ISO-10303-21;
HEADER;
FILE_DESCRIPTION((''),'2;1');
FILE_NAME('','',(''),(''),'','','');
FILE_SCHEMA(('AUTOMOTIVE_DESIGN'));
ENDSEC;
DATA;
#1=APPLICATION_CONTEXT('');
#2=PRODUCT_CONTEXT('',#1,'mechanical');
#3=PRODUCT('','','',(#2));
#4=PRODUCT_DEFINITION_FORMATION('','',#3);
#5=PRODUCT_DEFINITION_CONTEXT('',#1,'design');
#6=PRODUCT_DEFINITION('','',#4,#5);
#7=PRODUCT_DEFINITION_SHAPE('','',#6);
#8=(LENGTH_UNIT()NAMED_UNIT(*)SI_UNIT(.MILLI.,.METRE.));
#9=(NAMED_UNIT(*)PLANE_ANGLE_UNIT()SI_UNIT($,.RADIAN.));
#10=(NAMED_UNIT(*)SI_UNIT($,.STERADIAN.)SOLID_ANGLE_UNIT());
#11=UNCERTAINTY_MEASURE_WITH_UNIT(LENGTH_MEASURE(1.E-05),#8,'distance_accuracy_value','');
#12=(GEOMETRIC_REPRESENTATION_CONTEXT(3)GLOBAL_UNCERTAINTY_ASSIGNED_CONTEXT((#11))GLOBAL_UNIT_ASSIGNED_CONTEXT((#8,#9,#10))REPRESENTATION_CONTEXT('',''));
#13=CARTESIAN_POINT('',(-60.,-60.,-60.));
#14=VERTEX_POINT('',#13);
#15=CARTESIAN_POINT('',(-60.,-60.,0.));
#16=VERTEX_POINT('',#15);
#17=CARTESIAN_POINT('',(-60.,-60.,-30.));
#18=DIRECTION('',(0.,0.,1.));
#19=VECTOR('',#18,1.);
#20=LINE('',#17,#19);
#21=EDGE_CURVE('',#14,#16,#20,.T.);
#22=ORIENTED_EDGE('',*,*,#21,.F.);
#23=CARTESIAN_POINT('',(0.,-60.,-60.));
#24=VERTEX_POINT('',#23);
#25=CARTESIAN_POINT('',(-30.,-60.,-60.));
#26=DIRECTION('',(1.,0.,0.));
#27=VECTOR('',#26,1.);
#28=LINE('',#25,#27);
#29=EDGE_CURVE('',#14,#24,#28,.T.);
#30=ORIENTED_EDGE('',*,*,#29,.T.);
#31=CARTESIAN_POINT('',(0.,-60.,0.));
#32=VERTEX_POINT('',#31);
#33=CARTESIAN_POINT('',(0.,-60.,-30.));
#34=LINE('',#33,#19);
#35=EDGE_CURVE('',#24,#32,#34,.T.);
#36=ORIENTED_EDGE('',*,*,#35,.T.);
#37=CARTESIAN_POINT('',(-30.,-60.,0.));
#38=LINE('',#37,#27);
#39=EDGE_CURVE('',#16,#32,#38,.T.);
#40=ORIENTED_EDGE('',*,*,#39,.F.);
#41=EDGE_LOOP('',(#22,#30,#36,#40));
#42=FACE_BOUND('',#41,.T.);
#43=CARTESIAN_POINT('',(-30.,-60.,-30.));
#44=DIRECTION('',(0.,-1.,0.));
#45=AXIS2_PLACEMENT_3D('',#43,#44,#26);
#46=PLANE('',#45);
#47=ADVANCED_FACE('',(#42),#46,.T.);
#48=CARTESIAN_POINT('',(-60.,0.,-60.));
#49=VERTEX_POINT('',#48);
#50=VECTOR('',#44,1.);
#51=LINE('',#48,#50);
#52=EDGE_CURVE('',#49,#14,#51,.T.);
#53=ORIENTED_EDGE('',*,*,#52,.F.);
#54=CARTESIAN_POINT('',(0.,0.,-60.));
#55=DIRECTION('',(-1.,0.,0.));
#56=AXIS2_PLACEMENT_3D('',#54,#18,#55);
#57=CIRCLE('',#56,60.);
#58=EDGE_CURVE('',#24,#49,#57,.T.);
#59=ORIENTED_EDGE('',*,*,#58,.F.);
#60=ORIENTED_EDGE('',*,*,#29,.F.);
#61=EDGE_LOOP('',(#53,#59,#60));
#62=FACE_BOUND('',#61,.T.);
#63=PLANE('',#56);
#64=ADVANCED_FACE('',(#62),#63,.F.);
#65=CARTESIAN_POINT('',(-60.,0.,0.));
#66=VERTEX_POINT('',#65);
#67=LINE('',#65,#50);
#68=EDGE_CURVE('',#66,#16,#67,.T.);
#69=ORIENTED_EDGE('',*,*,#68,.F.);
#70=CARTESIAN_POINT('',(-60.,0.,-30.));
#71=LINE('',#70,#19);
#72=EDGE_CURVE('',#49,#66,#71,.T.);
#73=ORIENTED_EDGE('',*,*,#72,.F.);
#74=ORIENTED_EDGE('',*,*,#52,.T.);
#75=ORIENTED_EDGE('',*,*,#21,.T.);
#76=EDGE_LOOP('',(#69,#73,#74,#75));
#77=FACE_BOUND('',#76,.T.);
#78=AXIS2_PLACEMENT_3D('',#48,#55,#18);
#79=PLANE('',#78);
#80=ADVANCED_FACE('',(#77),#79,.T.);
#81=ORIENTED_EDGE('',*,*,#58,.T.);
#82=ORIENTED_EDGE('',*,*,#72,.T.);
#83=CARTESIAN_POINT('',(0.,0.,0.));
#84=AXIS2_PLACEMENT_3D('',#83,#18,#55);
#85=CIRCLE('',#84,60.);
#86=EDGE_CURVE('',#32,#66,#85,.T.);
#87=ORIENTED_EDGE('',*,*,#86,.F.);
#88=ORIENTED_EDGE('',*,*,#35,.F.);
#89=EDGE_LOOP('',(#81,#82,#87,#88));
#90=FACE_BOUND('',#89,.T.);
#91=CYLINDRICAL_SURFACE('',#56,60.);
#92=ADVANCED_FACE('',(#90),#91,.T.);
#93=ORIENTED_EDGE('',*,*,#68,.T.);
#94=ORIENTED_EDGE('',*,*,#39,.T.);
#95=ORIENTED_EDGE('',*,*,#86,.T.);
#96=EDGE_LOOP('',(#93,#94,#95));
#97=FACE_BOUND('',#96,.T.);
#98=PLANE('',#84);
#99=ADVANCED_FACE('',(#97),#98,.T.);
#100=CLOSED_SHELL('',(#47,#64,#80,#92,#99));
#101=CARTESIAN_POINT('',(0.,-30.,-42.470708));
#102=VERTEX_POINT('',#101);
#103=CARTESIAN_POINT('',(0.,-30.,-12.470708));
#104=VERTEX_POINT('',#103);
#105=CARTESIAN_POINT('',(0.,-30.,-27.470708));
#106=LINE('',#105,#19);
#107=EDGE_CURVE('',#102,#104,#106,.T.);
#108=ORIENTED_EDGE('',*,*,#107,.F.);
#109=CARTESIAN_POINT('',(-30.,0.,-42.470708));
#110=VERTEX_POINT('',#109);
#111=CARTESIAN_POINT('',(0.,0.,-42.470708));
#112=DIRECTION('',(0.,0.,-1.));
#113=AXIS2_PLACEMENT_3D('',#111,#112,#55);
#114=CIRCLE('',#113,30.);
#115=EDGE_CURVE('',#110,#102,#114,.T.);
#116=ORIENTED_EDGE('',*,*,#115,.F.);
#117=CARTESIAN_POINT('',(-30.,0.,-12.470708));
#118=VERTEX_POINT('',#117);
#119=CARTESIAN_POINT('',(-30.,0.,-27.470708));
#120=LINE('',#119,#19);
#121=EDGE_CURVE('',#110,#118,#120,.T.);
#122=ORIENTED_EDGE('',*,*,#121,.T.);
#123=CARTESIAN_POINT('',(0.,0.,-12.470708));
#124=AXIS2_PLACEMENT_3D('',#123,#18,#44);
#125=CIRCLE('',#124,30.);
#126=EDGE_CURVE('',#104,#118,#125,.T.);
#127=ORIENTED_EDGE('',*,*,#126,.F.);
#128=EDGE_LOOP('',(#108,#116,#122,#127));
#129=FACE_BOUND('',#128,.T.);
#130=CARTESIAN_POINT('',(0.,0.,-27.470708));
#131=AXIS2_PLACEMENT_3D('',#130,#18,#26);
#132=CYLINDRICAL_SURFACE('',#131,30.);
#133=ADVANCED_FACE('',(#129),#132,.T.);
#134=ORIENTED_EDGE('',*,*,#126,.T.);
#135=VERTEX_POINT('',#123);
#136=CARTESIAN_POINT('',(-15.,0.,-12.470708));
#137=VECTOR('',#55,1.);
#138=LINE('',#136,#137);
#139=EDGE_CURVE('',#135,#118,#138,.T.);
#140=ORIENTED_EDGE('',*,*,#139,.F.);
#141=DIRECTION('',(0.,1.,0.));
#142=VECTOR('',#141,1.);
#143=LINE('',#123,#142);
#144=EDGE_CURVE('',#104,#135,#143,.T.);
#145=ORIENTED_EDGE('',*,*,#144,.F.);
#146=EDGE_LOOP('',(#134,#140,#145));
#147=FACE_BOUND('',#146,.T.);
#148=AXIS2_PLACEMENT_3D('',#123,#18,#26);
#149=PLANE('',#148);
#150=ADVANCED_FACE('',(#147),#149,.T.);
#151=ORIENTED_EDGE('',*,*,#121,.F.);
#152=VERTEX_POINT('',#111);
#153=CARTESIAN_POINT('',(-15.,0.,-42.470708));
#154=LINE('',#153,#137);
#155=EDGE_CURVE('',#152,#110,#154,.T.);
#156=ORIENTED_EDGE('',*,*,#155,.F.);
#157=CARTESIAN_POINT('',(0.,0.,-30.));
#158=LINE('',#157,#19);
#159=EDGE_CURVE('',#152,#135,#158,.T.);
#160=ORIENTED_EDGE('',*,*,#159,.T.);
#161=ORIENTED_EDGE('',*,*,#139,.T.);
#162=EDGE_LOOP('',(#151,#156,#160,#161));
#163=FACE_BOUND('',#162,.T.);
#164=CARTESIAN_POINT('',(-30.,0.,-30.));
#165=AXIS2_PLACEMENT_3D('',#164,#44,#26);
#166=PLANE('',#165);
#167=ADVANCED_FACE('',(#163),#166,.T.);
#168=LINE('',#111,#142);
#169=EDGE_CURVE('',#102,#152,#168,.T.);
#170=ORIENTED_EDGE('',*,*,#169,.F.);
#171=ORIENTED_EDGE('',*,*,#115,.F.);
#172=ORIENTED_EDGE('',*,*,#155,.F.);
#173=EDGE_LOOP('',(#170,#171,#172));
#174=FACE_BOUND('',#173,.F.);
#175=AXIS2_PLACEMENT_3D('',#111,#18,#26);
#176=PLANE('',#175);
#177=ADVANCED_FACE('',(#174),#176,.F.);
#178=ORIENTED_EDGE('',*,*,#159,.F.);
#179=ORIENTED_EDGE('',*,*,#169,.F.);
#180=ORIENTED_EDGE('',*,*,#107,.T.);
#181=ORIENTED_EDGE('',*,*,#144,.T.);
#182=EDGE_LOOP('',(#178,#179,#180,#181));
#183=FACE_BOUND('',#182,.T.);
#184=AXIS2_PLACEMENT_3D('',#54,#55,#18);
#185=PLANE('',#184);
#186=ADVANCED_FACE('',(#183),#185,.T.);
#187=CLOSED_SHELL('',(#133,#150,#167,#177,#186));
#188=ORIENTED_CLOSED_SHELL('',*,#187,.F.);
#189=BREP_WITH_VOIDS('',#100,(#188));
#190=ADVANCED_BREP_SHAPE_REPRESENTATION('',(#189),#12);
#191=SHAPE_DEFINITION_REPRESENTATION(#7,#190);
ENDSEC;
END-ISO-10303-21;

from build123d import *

# Parameters (mm, degrees)
F0_W     = 60
F0_H     = 60
F1_DEPTH = 60
F2_W     = 30
F2_H     = 30


with BuildPart() as f1:
    # F0 (on Front) → F1 (new body)
    with BuildSketch(Plane.XZ):
        with Locations((-30, -30)):
            Rectangle(F0_W, F0_H)
    extrude(amount=F1_DEPTH)

    # F2 (on face) → F3 (revolve)
    with BuildSketch(Plane(origin=(0, 0, 0), x_dir=(-1, 0, 0), z_dir=(0, 1, 0))):
        with Locations((-15, -27.4707084894)):
            Rectangle(F2_W, F2_H)
        Polygon((0, -12.4707084894), (0, -42.4707084894), (0, -60), (60, -60), (60, 0), (0, 0), align=None)
    revolve(axis=Axis((0, 0, -27.4707084894), (0, 0, 1)))


solid = f1.part
